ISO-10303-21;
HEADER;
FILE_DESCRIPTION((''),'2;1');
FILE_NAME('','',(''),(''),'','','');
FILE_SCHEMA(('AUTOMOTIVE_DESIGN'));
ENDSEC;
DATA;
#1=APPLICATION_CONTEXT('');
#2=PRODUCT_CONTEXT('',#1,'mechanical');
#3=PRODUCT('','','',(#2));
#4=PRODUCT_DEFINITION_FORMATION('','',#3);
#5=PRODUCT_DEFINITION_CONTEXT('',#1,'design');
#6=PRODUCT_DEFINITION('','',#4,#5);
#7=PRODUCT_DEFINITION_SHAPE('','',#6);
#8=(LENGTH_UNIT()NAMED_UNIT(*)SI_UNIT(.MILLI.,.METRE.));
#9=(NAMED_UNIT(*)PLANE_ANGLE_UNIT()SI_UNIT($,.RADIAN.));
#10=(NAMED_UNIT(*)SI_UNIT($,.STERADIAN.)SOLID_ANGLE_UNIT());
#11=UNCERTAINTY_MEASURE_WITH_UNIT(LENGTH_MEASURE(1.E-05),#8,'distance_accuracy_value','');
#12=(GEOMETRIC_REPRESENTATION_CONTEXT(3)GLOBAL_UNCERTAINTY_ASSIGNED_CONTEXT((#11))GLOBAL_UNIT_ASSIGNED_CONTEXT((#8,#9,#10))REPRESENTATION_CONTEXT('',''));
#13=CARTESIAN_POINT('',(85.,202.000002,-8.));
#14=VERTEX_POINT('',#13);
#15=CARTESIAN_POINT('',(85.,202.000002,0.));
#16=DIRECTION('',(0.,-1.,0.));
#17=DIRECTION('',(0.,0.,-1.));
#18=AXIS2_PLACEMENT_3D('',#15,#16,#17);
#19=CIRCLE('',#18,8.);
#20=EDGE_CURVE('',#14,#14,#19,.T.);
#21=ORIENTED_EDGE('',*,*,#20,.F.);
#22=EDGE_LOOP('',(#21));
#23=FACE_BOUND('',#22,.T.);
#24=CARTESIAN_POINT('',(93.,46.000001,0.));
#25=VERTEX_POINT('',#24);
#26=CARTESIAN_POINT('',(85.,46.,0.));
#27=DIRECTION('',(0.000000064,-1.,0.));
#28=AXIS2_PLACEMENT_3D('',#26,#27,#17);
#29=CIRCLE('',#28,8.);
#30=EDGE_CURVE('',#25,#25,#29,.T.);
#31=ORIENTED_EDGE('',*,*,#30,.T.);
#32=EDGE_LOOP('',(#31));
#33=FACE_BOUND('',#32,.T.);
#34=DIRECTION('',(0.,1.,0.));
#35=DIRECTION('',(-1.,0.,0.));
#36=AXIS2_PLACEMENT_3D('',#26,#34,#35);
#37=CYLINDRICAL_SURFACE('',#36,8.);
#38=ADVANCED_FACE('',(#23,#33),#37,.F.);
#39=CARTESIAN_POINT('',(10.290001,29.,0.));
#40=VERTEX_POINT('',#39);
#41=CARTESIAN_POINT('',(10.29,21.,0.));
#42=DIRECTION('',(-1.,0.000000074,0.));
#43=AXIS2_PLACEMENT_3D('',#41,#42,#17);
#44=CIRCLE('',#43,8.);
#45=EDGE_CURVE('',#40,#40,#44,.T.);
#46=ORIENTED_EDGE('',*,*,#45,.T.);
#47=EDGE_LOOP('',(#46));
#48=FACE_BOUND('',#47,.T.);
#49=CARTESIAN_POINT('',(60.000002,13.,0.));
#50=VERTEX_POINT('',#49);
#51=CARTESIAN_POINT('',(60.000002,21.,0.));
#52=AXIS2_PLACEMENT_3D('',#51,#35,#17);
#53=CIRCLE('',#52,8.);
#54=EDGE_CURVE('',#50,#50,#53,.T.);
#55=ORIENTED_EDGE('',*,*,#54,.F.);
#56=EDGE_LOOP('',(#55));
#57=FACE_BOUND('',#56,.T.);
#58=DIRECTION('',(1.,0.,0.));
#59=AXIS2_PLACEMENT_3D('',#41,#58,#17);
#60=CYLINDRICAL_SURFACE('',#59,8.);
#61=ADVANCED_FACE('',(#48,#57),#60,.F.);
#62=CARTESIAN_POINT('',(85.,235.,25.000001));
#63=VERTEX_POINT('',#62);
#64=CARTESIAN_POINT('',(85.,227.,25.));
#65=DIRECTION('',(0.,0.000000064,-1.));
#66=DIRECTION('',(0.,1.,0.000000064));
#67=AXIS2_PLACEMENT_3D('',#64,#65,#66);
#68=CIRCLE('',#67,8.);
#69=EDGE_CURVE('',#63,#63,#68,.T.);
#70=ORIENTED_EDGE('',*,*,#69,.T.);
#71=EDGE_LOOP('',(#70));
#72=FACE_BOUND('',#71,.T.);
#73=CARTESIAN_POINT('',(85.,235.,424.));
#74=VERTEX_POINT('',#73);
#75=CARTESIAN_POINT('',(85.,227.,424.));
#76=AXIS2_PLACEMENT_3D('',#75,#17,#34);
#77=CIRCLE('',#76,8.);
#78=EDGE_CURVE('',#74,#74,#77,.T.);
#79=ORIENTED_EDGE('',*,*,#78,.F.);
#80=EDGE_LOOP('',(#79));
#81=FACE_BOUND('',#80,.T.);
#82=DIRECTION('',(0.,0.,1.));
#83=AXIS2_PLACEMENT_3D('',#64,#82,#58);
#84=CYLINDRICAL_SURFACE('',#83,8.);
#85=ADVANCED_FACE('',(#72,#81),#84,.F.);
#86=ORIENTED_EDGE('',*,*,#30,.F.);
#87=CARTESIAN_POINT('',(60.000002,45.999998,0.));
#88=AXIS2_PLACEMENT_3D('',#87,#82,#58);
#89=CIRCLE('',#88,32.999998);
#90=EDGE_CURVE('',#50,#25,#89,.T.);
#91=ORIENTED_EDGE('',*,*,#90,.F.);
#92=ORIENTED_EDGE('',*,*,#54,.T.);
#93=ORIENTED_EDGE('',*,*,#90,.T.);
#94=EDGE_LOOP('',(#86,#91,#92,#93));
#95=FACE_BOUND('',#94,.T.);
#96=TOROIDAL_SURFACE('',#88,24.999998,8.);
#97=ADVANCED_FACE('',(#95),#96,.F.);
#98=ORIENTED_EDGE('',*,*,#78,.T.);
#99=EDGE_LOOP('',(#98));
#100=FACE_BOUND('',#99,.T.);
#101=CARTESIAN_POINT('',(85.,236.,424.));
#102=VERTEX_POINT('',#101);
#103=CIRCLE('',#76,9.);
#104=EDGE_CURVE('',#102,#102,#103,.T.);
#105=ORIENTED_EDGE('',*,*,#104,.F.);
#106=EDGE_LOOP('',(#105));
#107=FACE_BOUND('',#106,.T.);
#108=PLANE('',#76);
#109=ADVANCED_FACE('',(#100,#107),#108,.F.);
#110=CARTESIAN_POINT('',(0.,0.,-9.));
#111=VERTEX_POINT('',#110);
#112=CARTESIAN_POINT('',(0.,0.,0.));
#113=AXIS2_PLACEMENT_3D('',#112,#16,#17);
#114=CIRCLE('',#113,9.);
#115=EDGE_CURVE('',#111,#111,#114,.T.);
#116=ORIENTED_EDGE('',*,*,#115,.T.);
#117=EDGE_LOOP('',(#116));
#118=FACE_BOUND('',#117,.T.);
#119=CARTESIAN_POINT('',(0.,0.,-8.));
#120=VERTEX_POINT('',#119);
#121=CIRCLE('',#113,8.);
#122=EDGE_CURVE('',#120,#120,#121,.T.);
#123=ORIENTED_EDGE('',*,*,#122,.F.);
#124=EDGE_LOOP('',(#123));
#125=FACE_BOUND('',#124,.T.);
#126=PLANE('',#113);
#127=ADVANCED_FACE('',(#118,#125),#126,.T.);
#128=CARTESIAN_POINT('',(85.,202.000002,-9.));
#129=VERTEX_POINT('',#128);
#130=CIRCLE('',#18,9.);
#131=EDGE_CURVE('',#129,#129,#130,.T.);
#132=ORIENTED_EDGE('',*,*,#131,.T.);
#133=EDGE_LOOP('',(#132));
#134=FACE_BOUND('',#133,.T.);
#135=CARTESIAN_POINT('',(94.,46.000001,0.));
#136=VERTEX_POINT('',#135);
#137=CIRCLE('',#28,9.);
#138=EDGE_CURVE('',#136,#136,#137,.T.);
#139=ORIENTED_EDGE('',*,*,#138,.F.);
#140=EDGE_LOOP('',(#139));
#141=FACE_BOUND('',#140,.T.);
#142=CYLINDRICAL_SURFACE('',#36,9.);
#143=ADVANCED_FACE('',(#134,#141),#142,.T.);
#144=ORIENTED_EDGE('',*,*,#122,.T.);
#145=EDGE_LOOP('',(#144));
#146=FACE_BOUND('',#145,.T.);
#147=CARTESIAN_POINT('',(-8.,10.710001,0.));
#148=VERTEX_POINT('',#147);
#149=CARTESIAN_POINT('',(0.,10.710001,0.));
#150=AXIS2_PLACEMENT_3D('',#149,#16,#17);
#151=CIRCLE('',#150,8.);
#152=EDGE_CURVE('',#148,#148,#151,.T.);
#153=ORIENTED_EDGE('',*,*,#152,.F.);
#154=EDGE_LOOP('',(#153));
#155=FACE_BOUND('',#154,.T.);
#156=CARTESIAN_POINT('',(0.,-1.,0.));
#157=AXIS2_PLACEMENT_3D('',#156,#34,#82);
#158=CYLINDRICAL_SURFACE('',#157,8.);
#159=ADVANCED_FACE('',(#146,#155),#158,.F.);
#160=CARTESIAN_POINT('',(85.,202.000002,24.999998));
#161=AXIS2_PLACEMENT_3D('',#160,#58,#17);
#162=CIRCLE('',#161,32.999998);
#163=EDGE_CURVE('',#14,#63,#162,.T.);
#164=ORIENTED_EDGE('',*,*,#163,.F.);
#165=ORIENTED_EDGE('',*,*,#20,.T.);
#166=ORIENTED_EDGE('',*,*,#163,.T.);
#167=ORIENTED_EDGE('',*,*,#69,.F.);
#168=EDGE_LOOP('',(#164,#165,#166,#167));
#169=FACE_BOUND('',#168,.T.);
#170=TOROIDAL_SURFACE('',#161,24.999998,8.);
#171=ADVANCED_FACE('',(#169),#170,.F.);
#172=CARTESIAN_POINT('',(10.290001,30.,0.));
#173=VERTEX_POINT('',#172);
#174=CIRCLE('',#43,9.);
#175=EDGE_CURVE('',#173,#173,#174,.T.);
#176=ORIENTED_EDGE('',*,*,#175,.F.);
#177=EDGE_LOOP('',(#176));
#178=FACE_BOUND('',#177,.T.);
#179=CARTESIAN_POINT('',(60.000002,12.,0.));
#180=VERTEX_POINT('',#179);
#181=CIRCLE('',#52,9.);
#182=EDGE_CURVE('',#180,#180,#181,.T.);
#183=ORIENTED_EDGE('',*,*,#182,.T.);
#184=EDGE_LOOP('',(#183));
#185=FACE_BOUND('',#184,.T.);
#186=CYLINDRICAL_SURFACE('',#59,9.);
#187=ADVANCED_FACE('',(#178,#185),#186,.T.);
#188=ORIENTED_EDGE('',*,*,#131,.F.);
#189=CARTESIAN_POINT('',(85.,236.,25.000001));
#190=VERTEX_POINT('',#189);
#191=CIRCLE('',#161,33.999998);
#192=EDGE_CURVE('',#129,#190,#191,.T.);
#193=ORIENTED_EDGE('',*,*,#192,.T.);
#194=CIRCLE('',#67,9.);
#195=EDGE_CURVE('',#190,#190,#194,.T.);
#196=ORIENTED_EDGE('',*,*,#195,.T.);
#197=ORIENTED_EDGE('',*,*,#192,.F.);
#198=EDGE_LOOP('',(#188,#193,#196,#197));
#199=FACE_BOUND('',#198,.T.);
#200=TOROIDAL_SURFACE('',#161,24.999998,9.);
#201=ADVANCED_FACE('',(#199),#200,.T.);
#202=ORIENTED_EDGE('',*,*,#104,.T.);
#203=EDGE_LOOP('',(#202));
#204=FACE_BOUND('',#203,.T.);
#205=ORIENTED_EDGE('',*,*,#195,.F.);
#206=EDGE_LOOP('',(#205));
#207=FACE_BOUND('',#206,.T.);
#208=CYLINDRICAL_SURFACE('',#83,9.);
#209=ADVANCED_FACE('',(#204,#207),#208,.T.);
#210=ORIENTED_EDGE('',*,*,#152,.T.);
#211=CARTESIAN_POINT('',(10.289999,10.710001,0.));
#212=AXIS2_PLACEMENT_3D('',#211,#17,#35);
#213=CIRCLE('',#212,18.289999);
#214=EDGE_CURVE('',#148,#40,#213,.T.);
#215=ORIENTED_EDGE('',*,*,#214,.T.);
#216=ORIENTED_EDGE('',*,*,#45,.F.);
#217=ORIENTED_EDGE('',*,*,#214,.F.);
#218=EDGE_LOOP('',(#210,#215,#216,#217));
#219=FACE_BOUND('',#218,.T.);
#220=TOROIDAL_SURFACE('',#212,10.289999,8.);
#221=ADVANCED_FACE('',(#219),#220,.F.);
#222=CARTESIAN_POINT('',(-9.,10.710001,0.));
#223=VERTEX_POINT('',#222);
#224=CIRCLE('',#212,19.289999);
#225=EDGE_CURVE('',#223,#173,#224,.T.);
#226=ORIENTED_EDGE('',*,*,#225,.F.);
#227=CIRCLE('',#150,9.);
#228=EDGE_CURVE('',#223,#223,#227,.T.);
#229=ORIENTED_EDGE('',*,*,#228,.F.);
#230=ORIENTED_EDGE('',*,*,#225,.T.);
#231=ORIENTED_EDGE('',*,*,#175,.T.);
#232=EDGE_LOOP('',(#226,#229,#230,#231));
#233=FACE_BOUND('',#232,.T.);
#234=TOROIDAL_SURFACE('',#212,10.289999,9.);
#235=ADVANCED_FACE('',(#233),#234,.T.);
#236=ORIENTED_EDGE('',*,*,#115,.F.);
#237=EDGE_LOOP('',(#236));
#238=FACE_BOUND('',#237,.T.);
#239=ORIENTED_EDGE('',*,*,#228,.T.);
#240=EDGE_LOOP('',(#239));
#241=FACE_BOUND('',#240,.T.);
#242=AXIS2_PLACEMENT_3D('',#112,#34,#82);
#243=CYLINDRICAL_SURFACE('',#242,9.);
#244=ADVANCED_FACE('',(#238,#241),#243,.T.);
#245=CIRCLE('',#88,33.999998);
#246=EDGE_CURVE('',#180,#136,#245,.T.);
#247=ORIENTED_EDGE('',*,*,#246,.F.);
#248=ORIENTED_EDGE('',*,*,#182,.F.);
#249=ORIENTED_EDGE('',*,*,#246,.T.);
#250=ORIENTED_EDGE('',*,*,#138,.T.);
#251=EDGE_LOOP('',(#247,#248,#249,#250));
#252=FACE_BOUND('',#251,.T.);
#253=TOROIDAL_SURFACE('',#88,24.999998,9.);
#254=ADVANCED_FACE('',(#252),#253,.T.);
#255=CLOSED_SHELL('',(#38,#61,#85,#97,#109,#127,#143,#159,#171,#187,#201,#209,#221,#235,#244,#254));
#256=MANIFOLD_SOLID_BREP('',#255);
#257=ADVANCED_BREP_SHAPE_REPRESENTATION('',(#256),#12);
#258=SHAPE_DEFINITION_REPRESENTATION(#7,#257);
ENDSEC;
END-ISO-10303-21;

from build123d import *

# Parameters (mm, degrees)
SWEEP1_PROFILE_R                           = 9
HOLLOW_TUBE_OD_AND_WALL_PROVISIONAL_PROF_R = 8


with BuildPart() as part:
    # Sweep1: sweep along a curve in space
    with BuildLine() as sweep1_path:
        Line((0, 0, 0), (0, 10.710000757, 0))
        ThreePointArc((0, 10.710000757, 0), (3.013871267, 17.986129267, 0), (10.29, 21, 0))
        Line((10.29, 21, 0), (60.000001606, 21, 0))
        ThreePointArc((60.000001606, 21, 0), (77.677670568, 28.322330568, 0), (85, 46, 0))
        Line((85, 46, 0), (85, 202.000001606, 0))
        ThreePointArc((85, 202.000001606, 0), (85, 219.677670568, 7.322330568), (85, 227, 25))
        Line((85, 227, 25), (85, 227, 424))
    # Sweep1 profile (on start of the path) → Sweep1 (sweep)
    with BuildSketch(Plane.ZX):
        Circle(SWEEP1_PROFILE_R)
    sweep(path=sweep1_path.line)

    # Hollow_tube_OD_and_wall_PROVISIONAL: sweep along a curve in space
    with BuildLine() as hollow_tube_od_and_wall_provisional_path:
        Line((0, 0, 0), (0, 10.710000757, 0))
        ThreePointArc((0, 10.710000757, 0), (3.013871267, 17.986129267, 0), (10.29, 21, 0))
        Line((10.29, 21, 0), (60.000001606, 21, 0))
        ThreePointArc((60.000001606, 21, 0), (77.677670568, 28.322330568, 0), (85, 46, 0))
        Line((85, 46, 0), (85, 202.000001606, 0))
        ThreePointArc((85, 202.000001606, 0), (85, 219.677670568, 7.322330568), (85, 227, 25))
        Line((85, 227, 25), (85, 227, 424))
    # Hollow_tube_OD_and_wall_PROVISIONAL prof (on start of the path) → Hollow_tube_OD_and_wall_PROVISIONAL (sweep, cut)
    with BuildSketch(Plane.ZX):
        Circle(HOLLOW_TUBE_OD_AND_WALL_PROVISIONAL_PROF_R)
    sweep(path=hollow_tube_od_and_wall_provisional_path.line, mode=Mode.SUBTRACT)


solid = part.part
